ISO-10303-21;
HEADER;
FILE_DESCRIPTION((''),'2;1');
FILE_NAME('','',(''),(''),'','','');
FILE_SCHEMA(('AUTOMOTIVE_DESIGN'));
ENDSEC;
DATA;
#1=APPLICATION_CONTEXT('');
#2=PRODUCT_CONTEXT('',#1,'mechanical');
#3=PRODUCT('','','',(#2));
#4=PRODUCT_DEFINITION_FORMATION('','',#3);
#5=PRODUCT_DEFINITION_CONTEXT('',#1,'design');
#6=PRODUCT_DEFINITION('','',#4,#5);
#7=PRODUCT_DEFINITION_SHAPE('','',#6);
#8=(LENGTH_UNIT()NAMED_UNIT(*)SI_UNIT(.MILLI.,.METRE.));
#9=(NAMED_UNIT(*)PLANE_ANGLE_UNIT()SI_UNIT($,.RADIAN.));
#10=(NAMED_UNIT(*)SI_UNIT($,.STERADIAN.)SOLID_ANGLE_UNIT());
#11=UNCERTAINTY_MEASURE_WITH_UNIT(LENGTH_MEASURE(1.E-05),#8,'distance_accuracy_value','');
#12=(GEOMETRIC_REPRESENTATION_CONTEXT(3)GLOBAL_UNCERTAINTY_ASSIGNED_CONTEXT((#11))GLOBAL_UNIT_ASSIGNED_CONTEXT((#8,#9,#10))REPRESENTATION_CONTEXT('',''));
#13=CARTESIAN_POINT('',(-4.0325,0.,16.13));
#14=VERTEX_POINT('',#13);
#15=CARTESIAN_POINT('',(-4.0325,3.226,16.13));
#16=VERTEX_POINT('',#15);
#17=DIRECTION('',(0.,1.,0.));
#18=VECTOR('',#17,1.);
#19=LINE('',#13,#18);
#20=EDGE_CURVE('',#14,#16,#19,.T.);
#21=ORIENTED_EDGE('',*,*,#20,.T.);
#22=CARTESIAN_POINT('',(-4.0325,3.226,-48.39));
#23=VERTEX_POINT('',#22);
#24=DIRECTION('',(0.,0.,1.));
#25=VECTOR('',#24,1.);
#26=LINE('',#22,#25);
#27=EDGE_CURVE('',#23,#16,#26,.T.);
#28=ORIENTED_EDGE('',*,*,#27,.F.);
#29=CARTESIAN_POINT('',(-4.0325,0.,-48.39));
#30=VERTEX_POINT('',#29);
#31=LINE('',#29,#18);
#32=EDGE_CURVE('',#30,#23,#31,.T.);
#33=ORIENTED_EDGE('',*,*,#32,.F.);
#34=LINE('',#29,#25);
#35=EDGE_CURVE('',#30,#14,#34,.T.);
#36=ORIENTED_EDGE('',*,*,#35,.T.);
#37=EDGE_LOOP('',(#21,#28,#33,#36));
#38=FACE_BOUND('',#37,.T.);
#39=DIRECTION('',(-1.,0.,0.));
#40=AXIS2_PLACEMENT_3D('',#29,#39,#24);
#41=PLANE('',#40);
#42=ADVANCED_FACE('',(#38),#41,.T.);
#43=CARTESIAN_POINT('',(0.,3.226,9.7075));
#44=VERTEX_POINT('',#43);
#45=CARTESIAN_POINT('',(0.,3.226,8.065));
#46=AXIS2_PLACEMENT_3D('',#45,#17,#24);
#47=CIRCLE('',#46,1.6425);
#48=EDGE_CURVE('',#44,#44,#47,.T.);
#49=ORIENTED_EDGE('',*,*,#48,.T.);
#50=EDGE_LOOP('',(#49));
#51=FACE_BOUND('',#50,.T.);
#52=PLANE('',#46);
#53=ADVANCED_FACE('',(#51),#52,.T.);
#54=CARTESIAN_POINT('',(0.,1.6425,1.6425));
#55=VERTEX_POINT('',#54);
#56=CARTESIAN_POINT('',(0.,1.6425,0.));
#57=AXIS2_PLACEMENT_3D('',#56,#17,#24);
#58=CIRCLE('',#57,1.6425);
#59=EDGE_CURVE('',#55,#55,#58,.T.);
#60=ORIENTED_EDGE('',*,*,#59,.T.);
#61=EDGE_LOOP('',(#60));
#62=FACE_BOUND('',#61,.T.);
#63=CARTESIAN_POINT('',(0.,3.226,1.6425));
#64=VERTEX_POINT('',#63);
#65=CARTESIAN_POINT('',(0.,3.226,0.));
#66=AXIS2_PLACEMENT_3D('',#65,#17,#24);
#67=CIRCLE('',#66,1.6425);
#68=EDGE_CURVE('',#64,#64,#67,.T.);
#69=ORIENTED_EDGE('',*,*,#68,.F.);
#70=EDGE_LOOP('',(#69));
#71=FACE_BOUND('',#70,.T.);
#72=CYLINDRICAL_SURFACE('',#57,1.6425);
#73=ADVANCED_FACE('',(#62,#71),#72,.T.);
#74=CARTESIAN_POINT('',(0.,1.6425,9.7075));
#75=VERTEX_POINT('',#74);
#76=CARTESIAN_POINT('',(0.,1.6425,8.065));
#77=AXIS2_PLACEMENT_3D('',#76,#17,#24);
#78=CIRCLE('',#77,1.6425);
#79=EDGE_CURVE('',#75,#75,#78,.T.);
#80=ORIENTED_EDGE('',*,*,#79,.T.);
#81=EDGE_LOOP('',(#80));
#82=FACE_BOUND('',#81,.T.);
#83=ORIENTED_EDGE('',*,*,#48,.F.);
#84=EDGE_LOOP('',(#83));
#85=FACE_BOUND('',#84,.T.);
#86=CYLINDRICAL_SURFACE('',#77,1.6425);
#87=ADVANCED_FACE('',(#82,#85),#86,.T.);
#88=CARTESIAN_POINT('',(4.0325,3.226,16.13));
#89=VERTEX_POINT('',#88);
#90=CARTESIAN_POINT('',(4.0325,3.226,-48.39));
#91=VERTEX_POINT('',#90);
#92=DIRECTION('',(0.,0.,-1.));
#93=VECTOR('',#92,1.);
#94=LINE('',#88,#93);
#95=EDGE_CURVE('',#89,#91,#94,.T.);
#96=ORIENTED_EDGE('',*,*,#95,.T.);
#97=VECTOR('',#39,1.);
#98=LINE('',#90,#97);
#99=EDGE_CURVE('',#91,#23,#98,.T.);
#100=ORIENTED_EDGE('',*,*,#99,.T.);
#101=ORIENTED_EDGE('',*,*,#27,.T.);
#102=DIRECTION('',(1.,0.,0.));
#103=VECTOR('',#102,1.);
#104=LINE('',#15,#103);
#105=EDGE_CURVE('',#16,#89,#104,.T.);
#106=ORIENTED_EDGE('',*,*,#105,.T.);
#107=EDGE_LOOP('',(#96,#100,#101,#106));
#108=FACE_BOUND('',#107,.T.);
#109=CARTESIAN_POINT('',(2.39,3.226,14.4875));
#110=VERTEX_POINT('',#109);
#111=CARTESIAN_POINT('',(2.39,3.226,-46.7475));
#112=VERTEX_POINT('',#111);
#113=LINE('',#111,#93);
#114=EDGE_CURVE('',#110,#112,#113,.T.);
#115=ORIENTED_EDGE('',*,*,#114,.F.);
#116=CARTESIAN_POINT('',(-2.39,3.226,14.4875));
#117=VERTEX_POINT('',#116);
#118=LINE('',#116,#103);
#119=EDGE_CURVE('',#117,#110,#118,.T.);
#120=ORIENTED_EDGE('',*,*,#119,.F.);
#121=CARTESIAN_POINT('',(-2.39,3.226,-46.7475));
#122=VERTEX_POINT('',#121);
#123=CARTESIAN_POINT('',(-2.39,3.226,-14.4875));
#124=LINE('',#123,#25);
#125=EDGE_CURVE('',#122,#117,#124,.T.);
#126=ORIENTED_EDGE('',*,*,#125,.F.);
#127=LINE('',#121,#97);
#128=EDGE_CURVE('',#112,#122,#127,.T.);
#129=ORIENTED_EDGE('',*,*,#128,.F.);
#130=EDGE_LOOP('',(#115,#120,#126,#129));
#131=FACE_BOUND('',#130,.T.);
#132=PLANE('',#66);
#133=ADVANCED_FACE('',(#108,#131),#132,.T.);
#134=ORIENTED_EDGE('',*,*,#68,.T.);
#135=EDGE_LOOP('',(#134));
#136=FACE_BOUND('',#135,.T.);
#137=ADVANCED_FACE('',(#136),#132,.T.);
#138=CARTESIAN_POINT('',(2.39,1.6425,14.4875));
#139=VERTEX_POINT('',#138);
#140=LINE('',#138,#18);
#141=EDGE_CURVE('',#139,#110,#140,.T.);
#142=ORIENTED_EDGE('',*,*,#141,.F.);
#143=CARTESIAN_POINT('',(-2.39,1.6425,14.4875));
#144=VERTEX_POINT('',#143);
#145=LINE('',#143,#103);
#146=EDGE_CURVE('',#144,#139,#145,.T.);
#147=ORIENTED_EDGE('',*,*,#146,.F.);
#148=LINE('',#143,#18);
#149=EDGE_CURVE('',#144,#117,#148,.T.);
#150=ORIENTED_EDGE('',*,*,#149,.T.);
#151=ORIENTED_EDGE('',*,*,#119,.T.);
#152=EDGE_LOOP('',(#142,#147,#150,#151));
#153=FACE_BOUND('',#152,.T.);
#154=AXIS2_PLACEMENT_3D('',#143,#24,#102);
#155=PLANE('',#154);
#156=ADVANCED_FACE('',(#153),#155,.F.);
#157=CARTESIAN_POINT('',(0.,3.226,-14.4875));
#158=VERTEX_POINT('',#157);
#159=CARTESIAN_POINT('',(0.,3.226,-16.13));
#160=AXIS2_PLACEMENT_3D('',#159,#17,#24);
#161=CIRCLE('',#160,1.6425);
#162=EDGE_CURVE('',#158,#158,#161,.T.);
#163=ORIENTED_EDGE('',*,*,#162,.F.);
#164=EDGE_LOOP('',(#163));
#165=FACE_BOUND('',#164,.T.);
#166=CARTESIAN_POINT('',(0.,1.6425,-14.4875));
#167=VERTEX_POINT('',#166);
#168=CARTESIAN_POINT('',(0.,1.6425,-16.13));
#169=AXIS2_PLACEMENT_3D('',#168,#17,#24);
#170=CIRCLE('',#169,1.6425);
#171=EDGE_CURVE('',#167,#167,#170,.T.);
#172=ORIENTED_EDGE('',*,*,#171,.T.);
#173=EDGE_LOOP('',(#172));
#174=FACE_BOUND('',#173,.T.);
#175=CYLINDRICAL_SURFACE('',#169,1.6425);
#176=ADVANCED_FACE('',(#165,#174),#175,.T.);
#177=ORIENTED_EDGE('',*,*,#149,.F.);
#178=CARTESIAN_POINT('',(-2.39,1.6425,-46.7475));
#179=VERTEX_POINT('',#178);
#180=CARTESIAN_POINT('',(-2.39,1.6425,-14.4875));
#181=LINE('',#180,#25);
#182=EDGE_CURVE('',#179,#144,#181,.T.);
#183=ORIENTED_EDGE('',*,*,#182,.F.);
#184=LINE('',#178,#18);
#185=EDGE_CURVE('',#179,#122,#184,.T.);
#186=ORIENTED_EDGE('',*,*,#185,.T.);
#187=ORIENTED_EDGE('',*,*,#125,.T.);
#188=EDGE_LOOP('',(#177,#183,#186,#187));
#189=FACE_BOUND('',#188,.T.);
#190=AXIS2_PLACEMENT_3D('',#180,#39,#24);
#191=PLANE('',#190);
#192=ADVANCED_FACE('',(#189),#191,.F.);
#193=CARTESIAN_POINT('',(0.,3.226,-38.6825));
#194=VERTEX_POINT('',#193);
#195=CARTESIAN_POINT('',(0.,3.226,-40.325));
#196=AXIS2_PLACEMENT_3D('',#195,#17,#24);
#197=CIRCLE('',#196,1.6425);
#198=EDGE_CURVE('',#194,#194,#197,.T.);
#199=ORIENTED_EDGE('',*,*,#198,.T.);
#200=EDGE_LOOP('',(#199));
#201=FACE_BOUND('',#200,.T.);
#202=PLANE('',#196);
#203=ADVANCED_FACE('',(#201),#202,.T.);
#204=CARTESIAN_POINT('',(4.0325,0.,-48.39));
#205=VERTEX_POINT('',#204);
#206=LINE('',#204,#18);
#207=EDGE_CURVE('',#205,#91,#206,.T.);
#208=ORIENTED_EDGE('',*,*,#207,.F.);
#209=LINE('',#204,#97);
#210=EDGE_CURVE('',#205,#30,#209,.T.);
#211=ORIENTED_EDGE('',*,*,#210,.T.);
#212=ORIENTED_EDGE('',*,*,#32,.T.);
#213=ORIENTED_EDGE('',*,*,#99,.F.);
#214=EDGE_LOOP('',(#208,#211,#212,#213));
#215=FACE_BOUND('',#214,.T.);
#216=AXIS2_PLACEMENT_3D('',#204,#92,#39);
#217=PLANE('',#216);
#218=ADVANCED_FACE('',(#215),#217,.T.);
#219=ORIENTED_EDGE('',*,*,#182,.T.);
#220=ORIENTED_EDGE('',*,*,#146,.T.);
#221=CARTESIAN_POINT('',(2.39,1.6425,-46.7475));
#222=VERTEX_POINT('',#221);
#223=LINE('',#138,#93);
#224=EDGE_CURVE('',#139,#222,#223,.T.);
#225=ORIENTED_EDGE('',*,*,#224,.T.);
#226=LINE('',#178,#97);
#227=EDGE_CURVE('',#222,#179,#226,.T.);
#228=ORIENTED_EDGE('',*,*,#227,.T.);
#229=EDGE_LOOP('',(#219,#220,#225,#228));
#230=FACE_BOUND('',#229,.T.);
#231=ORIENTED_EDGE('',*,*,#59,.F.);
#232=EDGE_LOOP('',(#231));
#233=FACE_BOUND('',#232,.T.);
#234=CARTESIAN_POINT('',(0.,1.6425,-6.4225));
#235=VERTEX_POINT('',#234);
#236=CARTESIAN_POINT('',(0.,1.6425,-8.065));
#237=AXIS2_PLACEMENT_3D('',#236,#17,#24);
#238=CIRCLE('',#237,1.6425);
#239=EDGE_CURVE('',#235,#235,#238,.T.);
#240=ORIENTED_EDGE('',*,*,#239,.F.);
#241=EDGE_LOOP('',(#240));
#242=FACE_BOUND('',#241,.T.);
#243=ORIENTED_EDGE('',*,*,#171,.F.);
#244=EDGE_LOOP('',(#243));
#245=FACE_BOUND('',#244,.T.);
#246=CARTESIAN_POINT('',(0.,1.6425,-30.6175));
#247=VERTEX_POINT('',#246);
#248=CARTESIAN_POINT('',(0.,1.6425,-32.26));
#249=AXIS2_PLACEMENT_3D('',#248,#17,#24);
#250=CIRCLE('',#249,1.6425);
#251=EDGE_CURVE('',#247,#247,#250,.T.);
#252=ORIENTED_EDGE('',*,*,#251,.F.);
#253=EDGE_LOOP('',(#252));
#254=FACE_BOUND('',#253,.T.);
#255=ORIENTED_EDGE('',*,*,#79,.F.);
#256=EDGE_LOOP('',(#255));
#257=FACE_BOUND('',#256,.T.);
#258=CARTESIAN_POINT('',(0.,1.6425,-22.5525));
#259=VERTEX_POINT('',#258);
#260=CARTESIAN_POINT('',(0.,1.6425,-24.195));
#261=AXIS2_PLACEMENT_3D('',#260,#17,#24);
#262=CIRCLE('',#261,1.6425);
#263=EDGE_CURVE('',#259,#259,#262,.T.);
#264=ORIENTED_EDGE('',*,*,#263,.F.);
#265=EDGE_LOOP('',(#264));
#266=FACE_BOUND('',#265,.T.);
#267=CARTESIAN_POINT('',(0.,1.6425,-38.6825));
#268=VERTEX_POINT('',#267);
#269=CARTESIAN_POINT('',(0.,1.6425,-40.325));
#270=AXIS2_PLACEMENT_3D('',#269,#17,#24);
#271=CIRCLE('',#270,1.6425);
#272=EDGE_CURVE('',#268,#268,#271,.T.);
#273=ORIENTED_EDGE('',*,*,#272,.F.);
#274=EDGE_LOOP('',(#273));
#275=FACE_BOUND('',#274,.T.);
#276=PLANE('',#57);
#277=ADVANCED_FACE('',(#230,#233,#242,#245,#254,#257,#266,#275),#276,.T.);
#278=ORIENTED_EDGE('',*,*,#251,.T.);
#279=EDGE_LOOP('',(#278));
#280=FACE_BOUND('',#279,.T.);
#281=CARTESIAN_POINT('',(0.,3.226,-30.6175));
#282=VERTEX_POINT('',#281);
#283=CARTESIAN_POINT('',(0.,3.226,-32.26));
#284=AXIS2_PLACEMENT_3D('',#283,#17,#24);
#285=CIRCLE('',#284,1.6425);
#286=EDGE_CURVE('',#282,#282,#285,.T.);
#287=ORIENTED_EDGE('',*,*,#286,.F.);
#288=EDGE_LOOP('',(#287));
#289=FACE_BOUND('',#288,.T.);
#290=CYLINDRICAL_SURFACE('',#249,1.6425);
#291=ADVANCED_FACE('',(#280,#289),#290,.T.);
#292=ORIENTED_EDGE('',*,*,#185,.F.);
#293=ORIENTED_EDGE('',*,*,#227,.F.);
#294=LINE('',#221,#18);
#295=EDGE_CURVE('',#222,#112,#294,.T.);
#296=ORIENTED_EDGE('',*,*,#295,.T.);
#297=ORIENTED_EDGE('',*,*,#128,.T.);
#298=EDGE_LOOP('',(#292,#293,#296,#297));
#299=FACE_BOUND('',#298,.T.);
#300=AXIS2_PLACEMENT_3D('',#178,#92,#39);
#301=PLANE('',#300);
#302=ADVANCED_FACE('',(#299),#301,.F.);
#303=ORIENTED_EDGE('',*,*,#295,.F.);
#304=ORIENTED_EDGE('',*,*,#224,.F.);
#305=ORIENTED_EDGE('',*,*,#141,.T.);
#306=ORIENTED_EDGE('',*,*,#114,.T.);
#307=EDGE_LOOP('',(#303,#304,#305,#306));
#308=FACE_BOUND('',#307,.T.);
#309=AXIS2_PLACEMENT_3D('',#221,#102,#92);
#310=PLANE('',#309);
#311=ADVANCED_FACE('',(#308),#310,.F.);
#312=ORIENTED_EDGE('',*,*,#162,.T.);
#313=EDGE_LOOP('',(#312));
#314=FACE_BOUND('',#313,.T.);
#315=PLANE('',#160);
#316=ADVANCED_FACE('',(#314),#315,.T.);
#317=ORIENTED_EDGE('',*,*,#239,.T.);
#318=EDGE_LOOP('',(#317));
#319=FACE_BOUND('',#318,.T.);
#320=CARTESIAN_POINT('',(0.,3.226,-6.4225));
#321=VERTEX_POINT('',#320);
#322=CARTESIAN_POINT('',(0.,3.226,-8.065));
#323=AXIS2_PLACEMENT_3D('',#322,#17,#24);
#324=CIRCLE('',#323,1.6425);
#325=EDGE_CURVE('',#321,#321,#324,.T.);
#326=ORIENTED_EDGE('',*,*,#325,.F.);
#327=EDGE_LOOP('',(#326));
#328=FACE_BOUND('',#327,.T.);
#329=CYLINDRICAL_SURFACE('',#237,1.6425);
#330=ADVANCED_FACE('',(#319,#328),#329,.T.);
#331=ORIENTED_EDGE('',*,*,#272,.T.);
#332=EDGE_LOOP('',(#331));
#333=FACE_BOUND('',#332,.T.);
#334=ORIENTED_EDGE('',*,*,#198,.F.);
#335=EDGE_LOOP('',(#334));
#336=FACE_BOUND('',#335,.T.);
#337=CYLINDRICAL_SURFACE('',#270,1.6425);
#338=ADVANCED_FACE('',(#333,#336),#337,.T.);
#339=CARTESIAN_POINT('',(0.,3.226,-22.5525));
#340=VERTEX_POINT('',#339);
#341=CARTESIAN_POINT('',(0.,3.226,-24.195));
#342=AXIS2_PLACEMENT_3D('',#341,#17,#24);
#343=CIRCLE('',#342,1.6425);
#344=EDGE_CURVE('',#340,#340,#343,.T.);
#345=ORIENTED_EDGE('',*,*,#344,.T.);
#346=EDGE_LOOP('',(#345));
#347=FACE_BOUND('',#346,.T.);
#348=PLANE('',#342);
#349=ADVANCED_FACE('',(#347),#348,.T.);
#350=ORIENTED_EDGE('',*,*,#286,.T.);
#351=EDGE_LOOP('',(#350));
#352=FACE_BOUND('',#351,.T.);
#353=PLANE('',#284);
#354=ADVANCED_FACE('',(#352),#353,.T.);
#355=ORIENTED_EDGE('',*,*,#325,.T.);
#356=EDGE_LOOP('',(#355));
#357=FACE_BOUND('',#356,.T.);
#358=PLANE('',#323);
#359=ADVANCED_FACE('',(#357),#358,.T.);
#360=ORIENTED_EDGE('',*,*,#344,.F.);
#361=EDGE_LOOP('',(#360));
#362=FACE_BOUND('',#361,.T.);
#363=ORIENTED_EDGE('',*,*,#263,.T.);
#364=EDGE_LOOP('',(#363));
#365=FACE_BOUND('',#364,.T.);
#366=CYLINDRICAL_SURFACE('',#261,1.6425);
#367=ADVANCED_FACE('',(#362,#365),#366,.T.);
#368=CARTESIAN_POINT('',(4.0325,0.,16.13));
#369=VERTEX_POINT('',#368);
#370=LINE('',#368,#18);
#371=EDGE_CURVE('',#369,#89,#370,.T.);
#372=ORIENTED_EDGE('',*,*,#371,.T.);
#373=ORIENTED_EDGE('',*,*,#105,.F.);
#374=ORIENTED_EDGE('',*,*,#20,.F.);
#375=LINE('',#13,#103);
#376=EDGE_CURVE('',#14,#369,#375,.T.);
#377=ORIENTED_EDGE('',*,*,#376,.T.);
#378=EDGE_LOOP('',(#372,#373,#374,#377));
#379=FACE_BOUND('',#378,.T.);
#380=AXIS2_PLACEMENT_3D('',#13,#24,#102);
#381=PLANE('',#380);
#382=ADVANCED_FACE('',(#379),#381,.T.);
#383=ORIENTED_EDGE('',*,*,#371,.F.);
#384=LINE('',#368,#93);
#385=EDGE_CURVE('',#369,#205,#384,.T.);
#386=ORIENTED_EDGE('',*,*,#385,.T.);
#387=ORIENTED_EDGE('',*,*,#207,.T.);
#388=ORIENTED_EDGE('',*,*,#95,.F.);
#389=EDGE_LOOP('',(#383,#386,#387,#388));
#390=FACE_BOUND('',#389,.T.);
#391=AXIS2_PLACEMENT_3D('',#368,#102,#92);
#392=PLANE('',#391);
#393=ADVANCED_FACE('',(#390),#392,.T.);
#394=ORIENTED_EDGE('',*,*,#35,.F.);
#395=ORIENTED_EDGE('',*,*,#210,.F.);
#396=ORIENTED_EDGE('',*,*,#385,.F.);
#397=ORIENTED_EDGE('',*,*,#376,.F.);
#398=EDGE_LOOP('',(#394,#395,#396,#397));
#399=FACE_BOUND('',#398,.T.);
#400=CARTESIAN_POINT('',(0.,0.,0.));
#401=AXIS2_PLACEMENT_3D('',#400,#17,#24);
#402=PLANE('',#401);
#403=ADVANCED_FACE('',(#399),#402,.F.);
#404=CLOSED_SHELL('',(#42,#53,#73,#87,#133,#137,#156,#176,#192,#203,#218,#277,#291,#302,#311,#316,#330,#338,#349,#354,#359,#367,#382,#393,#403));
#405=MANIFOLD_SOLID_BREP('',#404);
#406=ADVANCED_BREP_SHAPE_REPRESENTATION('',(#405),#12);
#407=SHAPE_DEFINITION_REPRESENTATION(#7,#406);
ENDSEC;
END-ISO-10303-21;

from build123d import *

# Parameters (mm, degrees)
SKETCH1_W           = 8.065
SKETCH1_H           = 64.52
BOSS_EXTRUDE1_DEPTH = 3.226
CUT_EXTRUDE1_DEPTH  = 1.5835
SKETCH7_W           = 1.6425
SKETCH7_H           = 1.5835
SKETCH8_W           = 1.6425
SKETCH8_H           = 1.5835
SKETCH9_W           = 1.6425
SKETCH9_H           = 1.5835
LPATTERN1_COUNT     = 5
LPATTERN1_PITCH     = 8.065


with BuildPart() as part:
    # Sketch1 → Boss-Extrude1 (new body)
    with BuildSketch(Plane(origin=(0, 3.226, 0), x_dir=(1, 0, 0), z_dir=(0, 1, 0))):
        with Locations((0, 16.13)):
            Rectangle(SKETCH1_W, SKETCH1_H)
    extrude(amount=-BOSS_EXTRUDE1_DEPTH)

    # Sketch2 → Cut-Extrude1 (cut)
    with BuildSketch(Plane(origin=(0, 3.226, 0), x_dir=(-1, 0, 0), z_dir=(0, 1, 0))):
        Polygon((2.39, 14.4875), (-2.39, 14.4875), (-2.39, -14.4875), (-2.39, -46.7475), (2.39, -46.7475), (2.39, -14.4875), align=None)
    extrude(amount=-CUT_EXTRUDE1_DEPTH, mode=Mode.SUBTRACT)

    # Sketch7 → Revolve5 (revolve)
    with BuildSketch(Plane(origin=(0, 0, -8.065), x_dir=(-1, 0, 0), z_dir=(0, 0, -1)), mode=Mode.PRIVATE) as revolve5_sk:
        with Locations((-0.82125, 2.43425)):
            Rectangle(SKETCH7_W, SKETCH7_H)
    revolve5 = revolve(revolve5_sk.sketch.rotate(Axis((0, 1.6425, -8.065), (0, 1, 0)), 270), axis=Axis((0, 1.6425, -8.065), (0, 1, 0)))

    # Sketch8 → Revolve6 (revolve)
    with BuildSketch(Plane(origin=(0, 0, 0), x_dir=(-1, 0, 0), z_dir=(0, 0, -1)), mode=Mode.PRIVATE) as revolve6_sk:
        with Locations((-0.82125, 2.43425)):
            Rectangle(SKETCH8_W, SKETCH8_H)
    revolve(revolve6_sk.sketch.rotate(Axis((0, 1.6425, 0), (0, 1, 0)), 270), axis=Axis((0, 1.6425, 0), (0, 1, 0)))

    # Sketch9 → Revolve7 (revolve)
    with BuildSketch(Plane(origin=(0, 0, 8.065), x_dir=(-1, 0, 0), z_dir=(0, 0, -1)), mode=Mode.PRIVATE) as revolve7_sk:
        with Locations((-0.82125, 2.43425)):
            Rectangle(SKETCH9_W, SKETCH9_H)
    revolve(revolve7_sk.sketch.rotate(Axis((0, 1.6425, 8.065), (0, 1, 0)), 270), axis=Axis((0, 1.6425, 8.065), (0, 1, 0)))

    # LPattern1: Revolve5 ×5
    with Locations(*[(0, 0, -i * LPATTERN1_PITCH) for i in range(1, LPATTERN1_COUNT)]):
        add(revolve5)


solid = part.part
